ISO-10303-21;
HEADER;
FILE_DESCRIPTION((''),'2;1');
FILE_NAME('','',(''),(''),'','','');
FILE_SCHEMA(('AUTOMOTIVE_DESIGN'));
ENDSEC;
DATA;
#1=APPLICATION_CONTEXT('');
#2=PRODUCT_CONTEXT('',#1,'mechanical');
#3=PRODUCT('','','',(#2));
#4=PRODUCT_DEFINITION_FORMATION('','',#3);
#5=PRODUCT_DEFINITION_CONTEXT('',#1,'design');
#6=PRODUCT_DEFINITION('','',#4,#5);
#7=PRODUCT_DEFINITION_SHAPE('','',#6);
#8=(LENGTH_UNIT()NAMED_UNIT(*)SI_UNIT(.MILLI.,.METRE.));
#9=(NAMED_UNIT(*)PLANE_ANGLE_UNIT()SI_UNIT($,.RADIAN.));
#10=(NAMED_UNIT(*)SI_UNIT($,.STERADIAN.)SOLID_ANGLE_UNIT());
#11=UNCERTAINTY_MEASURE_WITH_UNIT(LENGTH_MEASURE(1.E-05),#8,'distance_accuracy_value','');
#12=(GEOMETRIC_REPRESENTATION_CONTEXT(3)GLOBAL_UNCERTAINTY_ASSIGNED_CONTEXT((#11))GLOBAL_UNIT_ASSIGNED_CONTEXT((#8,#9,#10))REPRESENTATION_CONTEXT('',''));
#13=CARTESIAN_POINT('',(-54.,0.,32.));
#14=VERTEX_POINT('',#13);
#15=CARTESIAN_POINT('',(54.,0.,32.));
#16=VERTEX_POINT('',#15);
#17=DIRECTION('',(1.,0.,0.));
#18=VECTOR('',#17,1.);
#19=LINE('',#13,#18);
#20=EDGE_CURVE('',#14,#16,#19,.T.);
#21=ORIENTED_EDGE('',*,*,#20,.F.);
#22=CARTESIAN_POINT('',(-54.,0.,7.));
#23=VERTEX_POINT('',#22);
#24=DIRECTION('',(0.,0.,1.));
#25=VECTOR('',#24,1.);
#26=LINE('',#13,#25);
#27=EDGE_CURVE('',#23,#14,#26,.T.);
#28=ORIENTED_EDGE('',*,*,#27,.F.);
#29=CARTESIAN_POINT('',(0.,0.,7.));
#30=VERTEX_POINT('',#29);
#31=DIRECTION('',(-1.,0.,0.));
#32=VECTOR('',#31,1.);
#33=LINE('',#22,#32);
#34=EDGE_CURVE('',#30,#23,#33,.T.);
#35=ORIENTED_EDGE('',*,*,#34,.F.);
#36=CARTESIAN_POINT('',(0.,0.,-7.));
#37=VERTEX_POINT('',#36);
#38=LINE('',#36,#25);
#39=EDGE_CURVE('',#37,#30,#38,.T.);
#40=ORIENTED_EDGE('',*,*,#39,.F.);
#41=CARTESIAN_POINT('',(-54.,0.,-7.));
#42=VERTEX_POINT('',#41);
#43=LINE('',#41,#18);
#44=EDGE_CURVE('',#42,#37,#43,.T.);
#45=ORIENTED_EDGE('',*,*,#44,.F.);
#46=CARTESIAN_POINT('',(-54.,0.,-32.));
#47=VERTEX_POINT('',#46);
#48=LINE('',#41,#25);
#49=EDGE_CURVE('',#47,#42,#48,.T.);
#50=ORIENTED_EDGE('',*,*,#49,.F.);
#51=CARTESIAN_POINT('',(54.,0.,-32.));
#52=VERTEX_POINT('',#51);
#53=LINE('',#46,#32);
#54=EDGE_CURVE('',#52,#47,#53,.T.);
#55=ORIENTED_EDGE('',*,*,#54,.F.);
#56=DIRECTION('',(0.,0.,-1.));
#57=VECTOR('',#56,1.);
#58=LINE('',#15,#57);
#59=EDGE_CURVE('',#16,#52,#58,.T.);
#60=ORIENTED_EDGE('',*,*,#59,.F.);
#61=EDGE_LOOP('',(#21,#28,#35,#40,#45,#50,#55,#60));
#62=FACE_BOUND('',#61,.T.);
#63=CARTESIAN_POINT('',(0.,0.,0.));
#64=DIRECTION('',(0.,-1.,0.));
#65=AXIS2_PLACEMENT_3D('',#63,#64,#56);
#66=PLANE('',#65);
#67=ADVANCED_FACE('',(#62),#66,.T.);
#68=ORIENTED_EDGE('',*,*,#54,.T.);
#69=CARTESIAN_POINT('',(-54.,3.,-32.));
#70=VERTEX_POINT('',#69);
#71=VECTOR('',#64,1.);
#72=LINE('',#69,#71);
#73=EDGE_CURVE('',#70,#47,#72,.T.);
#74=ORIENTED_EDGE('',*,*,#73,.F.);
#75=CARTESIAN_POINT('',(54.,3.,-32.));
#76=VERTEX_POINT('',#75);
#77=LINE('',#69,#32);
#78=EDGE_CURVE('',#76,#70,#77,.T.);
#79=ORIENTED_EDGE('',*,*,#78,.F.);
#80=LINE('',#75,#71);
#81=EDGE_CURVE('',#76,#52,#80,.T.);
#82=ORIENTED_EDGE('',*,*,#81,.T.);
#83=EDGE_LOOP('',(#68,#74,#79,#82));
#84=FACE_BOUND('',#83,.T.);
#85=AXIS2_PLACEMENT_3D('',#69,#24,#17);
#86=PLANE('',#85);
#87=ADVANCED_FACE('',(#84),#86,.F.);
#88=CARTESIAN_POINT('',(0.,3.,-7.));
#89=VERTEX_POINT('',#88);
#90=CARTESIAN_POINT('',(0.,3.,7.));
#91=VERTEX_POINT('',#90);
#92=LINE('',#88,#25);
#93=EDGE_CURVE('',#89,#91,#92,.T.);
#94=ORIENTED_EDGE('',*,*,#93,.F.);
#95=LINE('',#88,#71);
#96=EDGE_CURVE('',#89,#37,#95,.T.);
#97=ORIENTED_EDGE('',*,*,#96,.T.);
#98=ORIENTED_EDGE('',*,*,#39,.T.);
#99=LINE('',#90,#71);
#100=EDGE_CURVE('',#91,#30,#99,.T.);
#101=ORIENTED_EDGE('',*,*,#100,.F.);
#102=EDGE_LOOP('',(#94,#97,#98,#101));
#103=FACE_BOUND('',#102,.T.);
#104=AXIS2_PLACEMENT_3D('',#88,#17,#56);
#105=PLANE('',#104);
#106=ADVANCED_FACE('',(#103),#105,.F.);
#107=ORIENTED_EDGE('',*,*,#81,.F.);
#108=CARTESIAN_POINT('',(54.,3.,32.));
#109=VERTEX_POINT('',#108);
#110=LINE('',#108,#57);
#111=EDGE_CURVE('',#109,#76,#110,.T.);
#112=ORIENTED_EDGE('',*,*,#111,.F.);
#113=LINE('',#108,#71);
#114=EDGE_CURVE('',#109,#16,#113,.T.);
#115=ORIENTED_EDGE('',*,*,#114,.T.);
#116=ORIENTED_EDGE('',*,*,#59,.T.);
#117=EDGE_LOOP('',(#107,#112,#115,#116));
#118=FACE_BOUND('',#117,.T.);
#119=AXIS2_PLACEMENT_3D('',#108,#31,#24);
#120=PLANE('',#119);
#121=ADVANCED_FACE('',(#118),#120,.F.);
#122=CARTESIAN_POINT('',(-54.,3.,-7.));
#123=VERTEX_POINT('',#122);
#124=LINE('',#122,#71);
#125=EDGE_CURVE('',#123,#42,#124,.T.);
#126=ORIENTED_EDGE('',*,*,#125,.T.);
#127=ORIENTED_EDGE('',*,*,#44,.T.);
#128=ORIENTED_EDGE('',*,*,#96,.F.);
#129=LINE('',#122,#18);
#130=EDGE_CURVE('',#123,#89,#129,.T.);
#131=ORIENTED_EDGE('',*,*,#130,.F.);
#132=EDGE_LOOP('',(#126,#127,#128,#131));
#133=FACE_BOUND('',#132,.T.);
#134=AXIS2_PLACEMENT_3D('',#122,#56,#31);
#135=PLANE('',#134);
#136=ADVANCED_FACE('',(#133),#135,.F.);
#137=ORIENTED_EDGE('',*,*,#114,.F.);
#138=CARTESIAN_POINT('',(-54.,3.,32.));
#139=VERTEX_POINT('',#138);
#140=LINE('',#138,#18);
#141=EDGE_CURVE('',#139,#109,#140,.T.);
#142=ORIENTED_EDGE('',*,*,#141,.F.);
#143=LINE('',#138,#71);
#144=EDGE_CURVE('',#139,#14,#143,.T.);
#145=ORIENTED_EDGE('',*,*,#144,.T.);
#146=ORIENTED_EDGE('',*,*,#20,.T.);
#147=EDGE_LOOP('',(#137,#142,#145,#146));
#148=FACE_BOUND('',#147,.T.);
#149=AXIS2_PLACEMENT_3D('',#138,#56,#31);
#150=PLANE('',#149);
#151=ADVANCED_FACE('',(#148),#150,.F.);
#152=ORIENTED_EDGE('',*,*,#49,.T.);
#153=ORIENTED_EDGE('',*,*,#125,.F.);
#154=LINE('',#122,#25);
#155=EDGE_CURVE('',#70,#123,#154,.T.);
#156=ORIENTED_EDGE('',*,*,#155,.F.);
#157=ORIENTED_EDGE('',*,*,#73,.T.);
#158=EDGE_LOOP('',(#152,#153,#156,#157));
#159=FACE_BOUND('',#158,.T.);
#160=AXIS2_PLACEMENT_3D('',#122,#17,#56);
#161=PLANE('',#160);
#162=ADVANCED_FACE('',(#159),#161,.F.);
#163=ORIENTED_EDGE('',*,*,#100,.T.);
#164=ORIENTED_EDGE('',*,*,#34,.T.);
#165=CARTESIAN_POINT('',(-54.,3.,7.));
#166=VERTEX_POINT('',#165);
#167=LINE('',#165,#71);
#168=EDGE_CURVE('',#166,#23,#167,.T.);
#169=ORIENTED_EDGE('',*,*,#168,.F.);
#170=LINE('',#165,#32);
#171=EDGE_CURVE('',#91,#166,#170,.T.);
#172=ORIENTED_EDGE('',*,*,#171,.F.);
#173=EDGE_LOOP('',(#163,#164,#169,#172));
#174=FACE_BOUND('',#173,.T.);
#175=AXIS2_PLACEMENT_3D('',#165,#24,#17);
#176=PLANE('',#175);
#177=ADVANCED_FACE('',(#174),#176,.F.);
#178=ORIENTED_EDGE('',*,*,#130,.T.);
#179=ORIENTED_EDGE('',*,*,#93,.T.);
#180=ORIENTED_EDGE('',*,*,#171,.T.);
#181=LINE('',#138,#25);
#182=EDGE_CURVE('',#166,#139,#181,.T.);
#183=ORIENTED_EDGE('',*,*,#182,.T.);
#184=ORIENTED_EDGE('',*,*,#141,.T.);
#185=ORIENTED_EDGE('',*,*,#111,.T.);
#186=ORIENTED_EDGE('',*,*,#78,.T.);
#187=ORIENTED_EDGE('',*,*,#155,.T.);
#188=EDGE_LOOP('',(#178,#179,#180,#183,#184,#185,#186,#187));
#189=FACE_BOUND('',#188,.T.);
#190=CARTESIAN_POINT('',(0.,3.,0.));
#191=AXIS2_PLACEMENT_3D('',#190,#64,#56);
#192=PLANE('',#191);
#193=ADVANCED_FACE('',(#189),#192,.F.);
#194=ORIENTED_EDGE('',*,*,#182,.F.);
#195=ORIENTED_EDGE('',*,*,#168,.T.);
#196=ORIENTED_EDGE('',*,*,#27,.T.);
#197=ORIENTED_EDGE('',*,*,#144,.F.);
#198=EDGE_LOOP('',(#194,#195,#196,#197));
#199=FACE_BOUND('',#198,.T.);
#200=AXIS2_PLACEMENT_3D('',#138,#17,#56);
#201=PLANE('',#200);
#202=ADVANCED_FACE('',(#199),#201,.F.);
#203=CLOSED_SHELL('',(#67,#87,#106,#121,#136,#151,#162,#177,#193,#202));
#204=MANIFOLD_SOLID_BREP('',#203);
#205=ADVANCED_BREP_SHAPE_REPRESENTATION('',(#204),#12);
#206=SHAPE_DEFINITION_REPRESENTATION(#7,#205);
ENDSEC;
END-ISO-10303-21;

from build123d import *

# Parameters (mm, degrees)
SALIENTE_EXTRUIR1_DEPTH = 3


with BuildPart() as part:
    # Croquis1 → Saliente-Extruir1 (new body)
    with BuildSketch(Plane(origin=(0, 0, 0), x_dir=(1, 0, 0), z_dir=(0, 1, 0))):
        Polygon((-54, -32), (54, -32), (54, 32), (-54, 32), (-54, 7), (0, 7), (0, -7), (-54, -7), align=None)
    extrude(amount=SALIENTE_EXTRUIR1_DEPTH)


solid = part.part
